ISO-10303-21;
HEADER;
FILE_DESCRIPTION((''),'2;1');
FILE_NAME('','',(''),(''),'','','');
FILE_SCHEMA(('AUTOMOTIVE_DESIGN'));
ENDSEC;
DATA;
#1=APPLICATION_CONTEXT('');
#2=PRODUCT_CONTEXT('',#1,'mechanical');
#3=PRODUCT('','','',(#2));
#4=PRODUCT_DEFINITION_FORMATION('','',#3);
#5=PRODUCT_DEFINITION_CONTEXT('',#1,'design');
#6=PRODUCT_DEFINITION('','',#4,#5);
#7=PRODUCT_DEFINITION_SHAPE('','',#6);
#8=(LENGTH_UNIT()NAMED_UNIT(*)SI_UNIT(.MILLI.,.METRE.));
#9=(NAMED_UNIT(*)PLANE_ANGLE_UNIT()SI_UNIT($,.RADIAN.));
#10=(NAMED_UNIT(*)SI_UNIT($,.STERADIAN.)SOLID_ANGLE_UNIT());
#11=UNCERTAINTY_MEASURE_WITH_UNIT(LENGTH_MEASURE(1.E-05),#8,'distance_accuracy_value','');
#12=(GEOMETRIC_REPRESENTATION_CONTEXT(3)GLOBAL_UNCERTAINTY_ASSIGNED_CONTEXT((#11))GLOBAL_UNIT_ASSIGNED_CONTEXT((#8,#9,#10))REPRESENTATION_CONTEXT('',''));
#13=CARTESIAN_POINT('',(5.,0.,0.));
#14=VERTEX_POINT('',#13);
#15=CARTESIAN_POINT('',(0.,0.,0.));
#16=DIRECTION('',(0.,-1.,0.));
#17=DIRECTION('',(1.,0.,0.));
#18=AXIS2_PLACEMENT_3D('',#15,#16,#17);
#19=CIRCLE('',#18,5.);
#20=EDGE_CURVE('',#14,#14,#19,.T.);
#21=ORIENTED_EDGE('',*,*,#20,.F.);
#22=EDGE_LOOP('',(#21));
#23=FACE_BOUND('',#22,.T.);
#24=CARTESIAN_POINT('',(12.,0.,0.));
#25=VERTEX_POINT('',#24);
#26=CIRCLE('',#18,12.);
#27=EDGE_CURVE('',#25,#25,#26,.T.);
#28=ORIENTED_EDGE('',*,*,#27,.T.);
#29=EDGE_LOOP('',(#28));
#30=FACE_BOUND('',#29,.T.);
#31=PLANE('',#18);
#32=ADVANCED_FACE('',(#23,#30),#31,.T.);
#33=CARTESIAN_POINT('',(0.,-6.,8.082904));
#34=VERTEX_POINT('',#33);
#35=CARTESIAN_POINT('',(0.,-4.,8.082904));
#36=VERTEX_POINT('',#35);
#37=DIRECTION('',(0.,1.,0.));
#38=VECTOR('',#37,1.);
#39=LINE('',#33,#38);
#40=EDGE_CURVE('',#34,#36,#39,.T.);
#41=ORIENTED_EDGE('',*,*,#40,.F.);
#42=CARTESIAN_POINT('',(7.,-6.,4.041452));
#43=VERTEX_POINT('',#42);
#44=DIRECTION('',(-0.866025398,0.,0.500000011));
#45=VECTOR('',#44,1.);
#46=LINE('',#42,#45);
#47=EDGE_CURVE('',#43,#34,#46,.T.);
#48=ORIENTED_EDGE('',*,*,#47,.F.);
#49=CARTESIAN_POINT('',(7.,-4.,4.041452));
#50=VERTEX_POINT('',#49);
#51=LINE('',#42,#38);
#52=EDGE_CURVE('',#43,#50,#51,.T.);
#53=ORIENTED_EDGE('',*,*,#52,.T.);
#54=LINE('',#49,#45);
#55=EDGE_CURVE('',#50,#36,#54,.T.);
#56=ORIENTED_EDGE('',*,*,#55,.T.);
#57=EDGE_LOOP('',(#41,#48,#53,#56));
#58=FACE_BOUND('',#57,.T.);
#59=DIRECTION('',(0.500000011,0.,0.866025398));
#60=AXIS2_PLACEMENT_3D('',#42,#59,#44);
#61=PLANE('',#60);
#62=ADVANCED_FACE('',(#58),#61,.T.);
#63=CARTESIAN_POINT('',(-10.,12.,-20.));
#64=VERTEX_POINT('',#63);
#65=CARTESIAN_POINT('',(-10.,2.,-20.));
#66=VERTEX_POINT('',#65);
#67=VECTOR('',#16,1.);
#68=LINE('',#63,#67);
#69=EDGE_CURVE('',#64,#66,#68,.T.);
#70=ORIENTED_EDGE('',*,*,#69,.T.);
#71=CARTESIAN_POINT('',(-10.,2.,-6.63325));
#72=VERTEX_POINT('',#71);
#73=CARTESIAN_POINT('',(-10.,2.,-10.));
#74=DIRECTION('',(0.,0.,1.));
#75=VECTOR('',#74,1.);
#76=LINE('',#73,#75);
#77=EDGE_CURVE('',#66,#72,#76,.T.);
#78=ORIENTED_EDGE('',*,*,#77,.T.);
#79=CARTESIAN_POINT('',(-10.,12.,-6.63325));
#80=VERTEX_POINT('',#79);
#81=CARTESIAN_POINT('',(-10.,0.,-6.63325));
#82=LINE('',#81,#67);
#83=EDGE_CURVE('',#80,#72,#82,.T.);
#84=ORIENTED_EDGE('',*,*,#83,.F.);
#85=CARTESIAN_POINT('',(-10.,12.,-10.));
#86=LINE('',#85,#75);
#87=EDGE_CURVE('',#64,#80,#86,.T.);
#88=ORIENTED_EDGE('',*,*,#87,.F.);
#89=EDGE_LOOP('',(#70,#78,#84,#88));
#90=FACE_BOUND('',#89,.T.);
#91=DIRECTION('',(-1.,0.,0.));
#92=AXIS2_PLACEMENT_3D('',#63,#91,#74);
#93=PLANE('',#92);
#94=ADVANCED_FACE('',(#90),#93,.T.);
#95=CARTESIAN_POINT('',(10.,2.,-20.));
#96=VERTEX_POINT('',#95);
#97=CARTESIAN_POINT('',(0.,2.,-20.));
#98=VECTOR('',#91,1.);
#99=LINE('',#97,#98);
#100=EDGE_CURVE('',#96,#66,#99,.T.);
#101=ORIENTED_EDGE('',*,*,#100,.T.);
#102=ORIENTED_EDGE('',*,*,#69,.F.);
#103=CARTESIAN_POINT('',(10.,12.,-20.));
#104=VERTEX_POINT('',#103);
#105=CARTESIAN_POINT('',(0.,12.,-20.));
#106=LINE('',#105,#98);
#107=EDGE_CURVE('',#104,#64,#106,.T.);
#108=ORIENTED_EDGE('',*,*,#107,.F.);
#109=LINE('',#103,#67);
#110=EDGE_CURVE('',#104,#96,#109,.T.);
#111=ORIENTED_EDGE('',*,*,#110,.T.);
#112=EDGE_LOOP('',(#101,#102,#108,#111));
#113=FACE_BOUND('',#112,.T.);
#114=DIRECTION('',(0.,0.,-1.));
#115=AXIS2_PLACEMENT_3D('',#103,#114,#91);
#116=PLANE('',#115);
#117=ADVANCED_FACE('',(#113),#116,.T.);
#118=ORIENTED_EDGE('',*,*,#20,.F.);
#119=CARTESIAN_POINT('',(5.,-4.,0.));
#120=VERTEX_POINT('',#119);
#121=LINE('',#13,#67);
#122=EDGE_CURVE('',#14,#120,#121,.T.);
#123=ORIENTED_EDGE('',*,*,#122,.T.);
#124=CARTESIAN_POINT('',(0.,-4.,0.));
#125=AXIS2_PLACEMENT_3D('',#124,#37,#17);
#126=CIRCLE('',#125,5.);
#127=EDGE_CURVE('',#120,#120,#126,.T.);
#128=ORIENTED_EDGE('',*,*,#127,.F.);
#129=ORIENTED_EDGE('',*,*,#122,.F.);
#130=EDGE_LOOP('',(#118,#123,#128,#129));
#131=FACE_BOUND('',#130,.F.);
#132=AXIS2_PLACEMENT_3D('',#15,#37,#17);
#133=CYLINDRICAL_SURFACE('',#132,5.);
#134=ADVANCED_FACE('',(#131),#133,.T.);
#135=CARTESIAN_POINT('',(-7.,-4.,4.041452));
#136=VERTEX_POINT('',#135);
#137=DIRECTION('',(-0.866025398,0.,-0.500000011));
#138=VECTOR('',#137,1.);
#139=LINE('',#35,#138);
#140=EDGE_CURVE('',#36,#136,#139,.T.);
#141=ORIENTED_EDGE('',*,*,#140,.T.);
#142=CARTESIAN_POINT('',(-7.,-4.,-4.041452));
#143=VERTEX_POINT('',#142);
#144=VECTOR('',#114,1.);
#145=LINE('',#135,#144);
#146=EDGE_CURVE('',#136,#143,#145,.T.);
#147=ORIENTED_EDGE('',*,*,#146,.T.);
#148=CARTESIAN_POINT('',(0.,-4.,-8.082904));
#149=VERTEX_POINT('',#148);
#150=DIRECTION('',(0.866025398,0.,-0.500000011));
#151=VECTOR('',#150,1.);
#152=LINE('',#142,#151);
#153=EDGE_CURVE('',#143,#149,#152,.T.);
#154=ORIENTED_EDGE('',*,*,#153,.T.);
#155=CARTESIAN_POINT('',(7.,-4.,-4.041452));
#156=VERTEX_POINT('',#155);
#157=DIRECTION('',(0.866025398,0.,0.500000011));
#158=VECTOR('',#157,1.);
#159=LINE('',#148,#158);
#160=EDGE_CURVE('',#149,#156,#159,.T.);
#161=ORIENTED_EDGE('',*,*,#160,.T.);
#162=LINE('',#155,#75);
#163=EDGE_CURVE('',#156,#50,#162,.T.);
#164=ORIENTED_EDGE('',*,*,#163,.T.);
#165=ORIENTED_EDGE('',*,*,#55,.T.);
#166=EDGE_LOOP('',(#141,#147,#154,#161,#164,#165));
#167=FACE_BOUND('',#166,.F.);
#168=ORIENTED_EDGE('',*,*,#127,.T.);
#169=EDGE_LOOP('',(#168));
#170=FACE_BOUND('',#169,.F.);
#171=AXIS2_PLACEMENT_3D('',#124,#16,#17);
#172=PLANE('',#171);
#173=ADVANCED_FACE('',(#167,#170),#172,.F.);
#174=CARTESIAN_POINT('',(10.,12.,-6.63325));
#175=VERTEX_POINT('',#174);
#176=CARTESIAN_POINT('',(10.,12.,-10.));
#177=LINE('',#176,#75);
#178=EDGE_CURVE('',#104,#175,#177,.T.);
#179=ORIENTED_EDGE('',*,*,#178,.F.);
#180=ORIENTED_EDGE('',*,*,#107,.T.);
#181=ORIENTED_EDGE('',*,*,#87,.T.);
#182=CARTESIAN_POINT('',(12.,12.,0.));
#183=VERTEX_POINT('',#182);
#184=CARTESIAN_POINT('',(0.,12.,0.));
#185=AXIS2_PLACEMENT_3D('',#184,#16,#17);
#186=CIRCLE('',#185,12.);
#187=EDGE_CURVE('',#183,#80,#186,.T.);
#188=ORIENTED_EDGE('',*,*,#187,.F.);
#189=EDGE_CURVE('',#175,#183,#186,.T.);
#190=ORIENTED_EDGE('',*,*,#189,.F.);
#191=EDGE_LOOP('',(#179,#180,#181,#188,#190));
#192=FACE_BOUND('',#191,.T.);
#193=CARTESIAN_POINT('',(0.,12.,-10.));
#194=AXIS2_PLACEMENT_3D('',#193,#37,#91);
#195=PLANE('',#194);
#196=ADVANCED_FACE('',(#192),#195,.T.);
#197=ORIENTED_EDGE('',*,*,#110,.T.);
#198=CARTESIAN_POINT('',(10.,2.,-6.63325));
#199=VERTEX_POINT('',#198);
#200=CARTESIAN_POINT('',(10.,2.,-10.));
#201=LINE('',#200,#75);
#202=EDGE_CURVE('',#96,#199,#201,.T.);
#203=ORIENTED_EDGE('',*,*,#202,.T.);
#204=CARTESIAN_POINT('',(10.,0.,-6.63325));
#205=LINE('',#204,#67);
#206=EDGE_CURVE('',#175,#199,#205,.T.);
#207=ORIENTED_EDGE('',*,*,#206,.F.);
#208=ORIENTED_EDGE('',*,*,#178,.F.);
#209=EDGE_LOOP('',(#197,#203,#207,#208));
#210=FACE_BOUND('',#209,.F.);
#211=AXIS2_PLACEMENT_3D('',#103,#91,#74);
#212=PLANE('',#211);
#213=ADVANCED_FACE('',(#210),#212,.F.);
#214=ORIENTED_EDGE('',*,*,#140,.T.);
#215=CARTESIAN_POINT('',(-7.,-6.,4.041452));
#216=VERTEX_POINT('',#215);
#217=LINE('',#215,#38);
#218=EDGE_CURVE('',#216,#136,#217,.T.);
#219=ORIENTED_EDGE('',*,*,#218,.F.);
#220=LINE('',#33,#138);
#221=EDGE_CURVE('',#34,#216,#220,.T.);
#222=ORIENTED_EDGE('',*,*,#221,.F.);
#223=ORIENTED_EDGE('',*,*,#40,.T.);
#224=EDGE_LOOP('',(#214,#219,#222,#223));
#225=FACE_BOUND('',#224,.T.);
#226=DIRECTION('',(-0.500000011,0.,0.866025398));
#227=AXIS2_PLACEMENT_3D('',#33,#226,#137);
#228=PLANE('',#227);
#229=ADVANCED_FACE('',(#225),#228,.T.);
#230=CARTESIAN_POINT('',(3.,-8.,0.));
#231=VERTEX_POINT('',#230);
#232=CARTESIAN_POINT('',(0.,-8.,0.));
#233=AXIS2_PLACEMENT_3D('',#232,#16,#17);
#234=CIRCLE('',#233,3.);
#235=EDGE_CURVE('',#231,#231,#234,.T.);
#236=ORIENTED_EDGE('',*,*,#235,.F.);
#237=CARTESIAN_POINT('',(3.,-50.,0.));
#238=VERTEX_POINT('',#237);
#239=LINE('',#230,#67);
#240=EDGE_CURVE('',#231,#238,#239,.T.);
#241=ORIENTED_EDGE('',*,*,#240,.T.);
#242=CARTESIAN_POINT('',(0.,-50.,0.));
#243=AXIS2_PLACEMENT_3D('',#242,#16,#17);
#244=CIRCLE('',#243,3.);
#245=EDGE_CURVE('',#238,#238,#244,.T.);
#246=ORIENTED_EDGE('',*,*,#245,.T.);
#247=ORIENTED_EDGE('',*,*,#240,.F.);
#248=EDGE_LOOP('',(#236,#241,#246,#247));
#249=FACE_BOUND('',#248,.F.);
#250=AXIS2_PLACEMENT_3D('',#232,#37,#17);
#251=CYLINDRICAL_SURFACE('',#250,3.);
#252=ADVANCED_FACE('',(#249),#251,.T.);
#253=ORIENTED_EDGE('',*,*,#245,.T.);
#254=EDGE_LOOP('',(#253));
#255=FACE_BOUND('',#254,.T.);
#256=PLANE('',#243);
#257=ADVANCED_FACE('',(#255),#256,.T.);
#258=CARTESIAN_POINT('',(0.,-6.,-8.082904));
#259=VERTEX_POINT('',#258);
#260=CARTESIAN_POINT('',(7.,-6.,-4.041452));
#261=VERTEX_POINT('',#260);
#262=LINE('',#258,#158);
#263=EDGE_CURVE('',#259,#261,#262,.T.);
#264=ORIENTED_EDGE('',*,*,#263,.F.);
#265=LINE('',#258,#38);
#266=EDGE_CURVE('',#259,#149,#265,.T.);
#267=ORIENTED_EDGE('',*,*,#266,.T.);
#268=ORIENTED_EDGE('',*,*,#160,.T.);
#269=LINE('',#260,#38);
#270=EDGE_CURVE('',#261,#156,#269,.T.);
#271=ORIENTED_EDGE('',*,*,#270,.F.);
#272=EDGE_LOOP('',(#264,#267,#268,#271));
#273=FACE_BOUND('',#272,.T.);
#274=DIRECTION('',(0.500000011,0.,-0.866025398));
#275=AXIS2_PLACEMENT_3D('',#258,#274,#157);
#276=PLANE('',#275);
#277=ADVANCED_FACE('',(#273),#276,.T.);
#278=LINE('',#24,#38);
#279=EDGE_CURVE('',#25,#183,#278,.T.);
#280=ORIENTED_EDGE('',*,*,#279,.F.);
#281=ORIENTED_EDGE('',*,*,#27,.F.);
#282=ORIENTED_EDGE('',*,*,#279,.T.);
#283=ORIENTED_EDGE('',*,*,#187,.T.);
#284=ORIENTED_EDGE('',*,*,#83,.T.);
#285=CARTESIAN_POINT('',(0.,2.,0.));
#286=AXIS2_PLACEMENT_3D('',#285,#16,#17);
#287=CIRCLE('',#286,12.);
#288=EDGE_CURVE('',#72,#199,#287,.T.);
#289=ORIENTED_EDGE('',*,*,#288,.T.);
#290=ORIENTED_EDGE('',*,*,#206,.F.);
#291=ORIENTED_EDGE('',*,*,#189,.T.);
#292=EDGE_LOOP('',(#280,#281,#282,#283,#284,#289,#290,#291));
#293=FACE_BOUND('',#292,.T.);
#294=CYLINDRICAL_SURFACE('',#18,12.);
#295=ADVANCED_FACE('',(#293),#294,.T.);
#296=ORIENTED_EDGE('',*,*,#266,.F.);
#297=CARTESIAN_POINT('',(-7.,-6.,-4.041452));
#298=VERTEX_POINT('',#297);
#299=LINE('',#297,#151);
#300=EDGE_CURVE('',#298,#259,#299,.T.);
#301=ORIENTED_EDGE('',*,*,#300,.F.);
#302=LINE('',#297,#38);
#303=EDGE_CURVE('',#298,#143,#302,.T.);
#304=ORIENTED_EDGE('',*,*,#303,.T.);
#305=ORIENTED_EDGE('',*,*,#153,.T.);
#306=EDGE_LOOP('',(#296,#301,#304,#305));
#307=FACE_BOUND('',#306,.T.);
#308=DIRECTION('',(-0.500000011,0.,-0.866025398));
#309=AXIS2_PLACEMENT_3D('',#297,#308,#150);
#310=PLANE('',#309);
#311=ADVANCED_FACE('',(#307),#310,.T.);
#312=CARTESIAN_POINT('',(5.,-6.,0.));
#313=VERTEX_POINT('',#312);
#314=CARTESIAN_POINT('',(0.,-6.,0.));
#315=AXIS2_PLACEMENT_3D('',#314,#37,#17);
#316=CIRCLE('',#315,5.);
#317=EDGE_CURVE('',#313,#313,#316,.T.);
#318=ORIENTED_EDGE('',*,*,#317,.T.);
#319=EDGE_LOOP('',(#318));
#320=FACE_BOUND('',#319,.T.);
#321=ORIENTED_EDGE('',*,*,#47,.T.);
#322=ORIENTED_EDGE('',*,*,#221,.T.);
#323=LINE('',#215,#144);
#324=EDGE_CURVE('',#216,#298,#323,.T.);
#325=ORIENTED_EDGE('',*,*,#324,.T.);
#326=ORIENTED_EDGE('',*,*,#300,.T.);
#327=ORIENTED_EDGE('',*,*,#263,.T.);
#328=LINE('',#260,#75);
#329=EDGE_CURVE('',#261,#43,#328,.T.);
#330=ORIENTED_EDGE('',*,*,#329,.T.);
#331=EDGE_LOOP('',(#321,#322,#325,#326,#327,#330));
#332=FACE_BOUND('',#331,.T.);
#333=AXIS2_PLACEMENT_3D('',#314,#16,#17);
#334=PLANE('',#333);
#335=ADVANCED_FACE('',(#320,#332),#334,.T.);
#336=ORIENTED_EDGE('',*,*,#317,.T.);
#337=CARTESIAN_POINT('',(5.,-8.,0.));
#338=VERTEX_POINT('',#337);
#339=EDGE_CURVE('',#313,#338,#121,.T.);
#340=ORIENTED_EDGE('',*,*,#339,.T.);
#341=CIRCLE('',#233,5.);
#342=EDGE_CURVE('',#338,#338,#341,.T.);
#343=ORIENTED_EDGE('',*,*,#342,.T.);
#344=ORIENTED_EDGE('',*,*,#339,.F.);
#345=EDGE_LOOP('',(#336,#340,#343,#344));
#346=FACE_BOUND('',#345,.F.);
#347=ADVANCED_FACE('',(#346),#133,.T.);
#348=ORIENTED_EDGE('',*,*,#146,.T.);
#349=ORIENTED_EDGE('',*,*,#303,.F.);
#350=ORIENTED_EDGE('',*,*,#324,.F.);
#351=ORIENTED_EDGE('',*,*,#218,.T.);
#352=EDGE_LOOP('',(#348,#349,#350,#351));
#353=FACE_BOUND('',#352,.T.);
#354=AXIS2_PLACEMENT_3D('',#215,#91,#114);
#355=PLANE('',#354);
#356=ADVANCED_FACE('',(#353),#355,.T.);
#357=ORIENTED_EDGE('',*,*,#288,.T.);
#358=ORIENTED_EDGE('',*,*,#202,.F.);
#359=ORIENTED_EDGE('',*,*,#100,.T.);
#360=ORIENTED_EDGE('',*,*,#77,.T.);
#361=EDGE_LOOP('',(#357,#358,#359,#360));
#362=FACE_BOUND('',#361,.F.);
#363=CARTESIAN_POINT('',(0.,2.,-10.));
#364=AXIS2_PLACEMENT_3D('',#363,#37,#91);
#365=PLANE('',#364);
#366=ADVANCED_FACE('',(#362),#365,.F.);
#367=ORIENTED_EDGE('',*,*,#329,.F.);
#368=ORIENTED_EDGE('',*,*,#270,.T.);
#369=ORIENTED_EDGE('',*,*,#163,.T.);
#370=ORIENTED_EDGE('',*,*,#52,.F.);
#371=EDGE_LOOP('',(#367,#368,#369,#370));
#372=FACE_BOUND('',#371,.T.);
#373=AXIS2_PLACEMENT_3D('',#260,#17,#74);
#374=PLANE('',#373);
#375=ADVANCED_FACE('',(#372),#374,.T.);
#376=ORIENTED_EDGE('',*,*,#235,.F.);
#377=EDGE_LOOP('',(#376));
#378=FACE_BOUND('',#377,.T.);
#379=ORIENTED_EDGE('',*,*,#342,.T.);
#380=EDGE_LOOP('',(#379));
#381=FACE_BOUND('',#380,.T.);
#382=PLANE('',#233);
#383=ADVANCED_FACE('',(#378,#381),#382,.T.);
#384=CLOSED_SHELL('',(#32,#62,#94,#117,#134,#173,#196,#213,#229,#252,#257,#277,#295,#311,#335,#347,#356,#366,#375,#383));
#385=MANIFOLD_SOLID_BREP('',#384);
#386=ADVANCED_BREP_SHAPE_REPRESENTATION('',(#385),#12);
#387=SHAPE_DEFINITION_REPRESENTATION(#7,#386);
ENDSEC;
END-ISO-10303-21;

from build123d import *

# Parameters (mm, degrees)
F0_R      = 5
F1_DEPTH  = 8
F2_R      = 3
F3_DEPTH  = 42
F4_R      = 12
F5_DEPTH  = 12
F6_W      = 20
F6_H      = 20
F7_DEPTH  = 10
F10_DEPTH = 2


with BuildPart() as f1:
    # F0 (on Front) → F1 (new body)
    with BuildSketch(Plane.XZ):
        Circle(F0_R)
    extrude(amount=F1_DEPTH)

    # F2 (on face) → F3 (join)
    with BuildSketch(Plane.XZ.offset(8)):
        Circle(F2_R)
    extrude(amount=F3_DEPTH)

    # F4 (on Front) → F5 (join)
    with BuildSketch(Plane.XZ):
        Circle(F4_R)
    extrude(amount=-F5_DEPTH)

    # F6 (on face) → F7 (join)
    with BuildSketch(Plane(origin=(0, 12, 0), x_dir=(-1, 0, 0), z_dir=(0, 1, 0))):
        with Locations((0, -10)):
            Rectangle(F6_W, F6_H)
    extrude(amount=-F7_DEPTH)

    # F9 (on offset) → F10 (join)
    with BuildSketch(Plane.XZ.offset(6)):
        Polygon((7, -4.041452), (7, 4.041452), (0, 8.082904), (-7, 4.041452), (-7, -4.041452), (0, -8.082904), align=None)
    extrude(amount=-F10_DEPTH)


solid = f1.part
